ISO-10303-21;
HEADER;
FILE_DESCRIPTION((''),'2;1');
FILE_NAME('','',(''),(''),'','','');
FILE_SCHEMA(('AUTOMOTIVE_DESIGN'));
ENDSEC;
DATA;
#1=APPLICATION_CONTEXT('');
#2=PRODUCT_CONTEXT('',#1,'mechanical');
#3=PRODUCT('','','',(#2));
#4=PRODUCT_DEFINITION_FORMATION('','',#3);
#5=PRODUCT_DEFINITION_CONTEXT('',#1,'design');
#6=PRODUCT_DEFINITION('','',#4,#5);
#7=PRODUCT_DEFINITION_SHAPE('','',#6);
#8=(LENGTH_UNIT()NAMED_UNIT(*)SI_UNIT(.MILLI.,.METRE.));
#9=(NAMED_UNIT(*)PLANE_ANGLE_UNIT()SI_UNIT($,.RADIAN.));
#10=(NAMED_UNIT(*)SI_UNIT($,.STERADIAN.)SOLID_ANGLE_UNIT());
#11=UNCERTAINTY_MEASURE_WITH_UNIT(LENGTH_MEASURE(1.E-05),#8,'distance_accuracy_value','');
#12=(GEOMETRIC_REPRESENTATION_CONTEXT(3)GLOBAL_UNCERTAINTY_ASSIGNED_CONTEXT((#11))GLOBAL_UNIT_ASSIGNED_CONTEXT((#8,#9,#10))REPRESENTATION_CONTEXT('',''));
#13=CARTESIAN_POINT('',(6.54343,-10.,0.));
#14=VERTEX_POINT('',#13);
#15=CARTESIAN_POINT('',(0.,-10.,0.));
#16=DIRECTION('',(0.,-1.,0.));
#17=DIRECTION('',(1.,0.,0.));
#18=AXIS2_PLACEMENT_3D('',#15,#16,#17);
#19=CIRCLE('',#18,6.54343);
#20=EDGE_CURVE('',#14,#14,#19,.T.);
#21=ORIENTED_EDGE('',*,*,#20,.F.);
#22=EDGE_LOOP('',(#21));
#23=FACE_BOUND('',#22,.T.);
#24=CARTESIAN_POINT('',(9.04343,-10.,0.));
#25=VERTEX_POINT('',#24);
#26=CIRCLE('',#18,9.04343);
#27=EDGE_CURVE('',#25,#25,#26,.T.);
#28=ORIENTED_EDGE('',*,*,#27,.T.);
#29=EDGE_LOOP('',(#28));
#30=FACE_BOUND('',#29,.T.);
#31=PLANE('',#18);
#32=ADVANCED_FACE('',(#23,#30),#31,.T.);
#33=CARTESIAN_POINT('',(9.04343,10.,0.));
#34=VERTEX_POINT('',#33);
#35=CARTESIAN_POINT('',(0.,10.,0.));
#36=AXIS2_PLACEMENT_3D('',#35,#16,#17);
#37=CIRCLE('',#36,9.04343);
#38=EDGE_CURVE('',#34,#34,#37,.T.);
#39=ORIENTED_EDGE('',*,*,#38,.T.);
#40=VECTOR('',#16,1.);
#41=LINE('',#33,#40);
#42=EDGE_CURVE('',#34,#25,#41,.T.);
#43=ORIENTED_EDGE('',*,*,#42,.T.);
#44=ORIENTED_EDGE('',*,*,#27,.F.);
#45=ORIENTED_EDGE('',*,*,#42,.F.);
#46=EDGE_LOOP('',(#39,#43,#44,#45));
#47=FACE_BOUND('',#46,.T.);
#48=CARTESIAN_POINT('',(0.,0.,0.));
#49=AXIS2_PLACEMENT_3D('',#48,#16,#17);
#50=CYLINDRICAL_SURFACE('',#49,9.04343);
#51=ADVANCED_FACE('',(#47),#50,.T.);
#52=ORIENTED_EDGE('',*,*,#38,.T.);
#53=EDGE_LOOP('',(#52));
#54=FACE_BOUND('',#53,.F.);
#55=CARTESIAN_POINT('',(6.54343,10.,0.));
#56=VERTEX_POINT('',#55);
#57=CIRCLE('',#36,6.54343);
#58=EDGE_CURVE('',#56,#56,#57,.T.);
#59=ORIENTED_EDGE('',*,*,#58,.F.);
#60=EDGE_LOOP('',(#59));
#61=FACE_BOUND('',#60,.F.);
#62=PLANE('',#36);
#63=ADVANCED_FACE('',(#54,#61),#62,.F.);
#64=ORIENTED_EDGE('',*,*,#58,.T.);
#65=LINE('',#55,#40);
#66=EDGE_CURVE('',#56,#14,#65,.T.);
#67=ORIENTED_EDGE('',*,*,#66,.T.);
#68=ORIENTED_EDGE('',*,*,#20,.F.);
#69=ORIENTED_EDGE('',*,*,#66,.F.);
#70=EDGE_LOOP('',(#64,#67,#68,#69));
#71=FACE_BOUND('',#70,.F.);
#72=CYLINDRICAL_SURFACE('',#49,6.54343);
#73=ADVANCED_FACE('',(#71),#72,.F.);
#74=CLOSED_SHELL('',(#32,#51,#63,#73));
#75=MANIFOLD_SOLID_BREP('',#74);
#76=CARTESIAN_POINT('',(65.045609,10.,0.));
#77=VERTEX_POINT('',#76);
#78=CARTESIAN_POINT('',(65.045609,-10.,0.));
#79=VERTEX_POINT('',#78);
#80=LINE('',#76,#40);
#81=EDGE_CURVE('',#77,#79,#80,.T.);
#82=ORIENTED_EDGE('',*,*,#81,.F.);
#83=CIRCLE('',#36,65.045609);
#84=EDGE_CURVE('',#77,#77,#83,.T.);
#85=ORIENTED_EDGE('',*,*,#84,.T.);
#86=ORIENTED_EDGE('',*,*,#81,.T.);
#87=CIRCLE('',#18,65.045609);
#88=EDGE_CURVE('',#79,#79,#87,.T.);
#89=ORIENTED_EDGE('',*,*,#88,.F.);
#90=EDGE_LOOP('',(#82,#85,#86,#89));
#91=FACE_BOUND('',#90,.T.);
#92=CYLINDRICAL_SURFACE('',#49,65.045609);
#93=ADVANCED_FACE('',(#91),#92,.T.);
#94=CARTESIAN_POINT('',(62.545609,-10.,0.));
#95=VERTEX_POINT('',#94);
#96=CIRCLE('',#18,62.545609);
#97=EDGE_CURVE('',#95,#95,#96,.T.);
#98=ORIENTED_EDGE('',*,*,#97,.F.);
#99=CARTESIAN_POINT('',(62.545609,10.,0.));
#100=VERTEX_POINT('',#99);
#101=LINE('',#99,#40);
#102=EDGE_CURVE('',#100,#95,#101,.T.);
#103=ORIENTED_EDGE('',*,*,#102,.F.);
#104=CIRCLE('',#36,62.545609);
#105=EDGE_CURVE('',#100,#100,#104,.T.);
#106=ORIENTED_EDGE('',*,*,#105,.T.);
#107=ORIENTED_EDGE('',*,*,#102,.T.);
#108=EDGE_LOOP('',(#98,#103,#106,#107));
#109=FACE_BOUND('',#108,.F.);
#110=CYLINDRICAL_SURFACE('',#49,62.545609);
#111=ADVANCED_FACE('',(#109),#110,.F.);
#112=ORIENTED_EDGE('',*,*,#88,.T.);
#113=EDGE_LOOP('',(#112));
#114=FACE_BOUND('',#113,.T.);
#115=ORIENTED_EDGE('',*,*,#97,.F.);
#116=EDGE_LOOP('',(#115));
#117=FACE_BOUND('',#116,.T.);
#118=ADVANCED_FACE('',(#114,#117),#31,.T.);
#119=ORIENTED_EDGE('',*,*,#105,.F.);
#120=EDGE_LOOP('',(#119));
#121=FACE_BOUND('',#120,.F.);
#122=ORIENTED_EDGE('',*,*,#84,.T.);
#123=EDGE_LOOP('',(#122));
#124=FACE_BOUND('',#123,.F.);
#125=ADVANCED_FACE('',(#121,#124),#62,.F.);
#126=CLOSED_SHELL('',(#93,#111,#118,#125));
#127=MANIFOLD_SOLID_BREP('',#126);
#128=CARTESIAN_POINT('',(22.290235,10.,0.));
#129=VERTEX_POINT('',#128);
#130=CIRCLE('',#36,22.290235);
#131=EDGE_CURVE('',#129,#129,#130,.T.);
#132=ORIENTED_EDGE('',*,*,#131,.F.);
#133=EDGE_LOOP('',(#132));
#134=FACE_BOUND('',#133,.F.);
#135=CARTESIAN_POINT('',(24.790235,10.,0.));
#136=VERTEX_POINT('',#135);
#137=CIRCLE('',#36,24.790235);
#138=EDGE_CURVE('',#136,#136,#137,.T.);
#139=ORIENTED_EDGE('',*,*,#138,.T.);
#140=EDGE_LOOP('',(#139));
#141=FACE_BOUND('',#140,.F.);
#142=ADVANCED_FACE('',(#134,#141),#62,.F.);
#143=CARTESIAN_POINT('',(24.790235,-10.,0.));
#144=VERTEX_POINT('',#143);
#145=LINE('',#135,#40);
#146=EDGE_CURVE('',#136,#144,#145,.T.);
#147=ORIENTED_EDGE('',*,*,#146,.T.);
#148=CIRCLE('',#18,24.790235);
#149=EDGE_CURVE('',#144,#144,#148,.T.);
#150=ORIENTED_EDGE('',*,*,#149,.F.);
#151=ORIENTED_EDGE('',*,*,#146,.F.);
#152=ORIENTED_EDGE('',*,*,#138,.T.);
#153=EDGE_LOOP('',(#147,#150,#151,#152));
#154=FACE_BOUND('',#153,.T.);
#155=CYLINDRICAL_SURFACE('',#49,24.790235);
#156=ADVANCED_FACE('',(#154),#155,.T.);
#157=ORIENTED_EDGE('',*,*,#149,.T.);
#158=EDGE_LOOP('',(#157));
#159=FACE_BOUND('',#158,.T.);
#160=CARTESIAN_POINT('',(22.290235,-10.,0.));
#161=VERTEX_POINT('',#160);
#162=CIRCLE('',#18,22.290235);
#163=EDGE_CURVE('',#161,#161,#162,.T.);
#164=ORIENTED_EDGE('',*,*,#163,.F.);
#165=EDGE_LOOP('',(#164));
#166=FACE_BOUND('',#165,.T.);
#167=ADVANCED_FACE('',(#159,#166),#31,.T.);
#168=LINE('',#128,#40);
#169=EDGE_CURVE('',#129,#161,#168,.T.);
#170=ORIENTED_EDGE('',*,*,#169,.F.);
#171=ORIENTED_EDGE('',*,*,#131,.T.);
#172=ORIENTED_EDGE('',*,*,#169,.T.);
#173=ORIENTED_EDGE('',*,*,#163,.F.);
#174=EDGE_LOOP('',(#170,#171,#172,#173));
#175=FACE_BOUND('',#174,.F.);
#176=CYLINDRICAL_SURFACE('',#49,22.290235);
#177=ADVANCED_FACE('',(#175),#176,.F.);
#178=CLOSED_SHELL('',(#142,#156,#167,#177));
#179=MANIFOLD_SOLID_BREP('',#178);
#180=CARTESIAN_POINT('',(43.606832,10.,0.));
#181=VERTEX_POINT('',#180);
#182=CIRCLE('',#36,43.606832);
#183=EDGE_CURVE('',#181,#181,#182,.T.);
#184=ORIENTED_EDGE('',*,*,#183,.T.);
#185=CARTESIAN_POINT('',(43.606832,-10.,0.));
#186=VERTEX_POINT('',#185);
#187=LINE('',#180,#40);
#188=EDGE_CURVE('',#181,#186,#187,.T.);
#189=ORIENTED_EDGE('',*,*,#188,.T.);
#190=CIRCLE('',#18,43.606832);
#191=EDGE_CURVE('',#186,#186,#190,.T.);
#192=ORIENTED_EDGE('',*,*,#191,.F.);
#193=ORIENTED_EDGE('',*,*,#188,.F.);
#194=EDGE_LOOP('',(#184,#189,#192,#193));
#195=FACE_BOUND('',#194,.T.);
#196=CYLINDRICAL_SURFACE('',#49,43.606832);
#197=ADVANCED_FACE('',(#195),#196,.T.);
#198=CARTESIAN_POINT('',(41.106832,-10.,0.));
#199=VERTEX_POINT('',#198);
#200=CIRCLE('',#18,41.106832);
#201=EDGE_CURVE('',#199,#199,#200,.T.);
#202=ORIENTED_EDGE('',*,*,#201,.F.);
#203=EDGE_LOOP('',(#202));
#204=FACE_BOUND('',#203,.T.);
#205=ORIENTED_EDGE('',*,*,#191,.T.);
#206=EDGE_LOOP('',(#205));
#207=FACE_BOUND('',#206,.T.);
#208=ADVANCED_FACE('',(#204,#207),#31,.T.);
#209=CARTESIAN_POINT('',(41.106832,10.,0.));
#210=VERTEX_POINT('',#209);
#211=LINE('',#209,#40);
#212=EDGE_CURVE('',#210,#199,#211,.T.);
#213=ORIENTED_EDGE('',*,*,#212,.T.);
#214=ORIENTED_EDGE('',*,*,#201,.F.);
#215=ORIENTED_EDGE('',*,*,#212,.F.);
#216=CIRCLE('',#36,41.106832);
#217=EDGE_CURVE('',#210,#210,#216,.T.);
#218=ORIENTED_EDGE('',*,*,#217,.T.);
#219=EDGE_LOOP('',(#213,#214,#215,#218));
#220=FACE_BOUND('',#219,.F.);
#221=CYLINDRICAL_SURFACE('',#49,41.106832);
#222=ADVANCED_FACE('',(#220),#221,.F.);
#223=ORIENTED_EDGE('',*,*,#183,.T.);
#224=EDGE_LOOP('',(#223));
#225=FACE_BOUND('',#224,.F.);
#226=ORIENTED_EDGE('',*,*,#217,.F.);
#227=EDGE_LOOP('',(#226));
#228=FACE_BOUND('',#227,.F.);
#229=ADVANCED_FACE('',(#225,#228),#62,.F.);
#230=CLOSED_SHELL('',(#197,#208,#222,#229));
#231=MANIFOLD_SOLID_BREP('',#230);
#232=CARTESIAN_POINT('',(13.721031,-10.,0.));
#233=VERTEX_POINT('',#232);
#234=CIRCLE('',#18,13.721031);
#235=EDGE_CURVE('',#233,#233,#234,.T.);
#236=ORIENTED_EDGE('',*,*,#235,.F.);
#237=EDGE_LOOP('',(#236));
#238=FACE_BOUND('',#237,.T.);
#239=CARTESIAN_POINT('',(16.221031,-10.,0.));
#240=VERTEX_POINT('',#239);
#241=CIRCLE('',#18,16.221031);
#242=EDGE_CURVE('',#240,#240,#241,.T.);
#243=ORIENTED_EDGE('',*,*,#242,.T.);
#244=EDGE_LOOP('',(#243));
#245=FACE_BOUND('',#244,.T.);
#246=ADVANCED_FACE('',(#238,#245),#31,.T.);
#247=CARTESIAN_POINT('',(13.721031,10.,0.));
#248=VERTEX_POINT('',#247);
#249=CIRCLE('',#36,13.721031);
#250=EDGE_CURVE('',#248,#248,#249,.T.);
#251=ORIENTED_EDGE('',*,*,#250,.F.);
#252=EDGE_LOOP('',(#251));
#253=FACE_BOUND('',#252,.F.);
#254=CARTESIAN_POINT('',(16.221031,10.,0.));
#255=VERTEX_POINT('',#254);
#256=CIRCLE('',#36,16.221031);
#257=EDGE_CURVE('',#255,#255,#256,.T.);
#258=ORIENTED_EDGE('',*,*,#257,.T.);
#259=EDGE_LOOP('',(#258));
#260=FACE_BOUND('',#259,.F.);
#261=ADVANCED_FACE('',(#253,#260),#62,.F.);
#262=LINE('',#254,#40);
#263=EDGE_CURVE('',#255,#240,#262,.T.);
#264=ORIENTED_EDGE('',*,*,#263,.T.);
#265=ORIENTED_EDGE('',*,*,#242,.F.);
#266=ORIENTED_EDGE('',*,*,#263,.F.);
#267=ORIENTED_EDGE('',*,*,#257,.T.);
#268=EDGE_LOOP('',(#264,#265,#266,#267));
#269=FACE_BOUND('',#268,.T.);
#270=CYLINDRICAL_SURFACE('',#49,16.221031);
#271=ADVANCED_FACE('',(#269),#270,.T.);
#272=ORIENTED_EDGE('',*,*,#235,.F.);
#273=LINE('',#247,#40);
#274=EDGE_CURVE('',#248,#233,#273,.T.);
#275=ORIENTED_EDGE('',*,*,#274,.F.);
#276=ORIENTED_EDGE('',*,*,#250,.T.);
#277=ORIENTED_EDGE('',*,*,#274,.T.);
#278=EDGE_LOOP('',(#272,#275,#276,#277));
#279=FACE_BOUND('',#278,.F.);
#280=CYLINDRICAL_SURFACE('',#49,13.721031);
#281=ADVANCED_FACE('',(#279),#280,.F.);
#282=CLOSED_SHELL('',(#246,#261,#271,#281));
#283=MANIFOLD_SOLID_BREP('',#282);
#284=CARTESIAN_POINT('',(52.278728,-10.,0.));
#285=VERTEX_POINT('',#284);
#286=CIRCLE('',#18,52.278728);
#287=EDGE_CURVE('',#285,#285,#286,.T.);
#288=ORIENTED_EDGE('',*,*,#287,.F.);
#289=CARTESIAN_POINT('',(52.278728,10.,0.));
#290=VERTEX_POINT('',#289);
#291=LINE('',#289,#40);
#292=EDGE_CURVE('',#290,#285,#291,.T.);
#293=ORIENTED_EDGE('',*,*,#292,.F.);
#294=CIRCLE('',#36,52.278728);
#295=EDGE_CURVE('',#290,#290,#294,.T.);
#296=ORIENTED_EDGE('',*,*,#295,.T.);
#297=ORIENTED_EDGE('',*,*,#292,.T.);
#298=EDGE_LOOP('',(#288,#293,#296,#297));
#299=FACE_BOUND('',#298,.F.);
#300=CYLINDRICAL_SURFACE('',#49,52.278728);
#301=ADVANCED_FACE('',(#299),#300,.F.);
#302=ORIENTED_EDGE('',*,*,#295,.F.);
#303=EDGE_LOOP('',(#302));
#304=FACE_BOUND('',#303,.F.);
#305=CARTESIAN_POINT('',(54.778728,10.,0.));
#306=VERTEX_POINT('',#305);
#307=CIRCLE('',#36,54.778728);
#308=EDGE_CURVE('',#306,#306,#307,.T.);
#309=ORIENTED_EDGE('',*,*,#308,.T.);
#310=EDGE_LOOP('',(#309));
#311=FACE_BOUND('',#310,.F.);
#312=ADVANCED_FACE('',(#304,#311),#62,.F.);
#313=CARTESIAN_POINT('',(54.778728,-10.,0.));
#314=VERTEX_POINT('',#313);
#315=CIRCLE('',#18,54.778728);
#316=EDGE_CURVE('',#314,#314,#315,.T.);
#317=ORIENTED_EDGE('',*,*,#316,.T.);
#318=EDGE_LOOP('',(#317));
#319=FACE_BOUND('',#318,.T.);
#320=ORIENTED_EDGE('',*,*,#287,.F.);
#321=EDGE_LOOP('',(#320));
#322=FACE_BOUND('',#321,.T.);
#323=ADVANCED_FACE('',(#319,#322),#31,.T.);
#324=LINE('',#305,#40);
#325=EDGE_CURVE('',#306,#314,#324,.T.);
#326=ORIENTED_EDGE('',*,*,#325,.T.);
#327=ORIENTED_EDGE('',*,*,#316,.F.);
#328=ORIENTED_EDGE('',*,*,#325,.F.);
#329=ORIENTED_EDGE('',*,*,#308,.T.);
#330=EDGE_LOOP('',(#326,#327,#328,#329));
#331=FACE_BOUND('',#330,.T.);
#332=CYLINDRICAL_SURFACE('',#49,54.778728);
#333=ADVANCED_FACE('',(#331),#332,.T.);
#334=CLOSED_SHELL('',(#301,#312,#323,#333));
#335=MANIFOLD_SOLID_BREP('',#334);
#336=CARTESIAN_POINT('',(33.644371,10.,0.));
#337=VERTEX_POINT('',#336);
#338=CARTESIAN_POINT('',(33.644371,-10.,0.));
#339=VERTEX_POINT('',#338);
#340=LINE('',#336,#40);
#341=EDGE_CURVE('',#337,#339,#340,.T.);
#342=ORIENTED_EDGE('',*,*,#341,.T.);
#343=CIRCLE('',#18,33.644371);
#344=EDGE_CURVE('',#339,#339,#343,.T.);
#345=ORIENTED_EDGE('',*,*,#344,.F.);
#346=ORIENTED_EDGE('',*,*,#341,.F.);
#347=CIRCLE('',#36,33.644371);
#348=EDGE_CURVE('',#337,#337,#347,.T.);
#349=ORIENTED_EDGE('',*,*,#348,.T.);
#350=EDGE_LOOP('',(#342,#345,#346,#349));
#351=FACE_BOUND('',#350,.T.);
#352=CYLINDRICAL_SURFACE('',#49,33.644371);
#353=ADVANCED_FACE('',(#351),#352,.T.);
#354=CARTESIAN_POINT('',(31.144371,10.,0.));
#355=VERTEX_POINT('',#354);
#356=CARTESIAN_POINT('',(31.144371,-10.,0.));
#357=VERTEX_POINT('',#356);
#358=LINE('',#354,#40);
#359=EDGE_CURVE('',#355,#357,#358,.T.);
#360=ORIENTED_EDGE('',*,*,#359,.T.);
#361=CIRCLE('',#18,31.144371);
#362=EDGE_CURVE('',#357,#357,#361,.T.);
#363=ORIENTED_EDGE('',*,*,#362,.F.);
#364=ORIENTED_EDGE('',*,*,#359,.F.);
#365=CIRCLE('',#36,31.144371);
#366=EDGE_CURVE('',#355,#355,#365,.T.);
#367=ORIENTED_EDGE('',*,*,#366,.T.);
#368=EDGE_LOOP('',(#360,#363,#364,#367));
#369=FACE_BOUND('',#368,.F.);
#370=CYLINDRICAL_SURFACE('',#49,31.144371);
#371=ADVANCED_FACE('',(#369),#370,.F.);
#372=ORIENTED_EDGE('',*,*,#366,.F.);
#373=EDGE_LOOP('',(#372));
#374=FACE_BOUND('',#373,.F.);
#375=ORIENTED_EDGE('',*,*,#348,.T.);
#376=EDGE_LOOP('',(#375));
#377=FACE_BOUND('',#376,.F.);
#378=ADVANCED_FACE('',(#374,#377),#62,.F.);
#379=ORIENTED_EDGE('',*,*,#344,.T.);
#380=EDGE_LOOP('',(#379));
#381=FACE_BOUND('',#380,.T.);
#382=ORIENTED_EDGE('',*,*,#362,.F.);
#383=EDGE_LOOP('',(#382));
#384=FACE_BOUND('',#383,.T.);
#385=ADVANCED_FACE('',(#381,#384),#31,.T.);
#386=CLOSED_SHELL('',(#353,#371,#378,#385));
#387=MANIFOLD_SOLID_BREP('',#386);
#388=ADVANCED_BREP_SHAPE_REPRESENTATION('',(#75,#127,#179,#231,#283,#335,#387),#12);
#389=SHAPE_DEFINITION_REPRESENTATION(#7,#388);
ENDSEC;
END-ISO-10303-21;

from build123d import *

# Parameters (mm, degrees)
F0_R      = 65.045609
F1_DEPTH  = 10
F2_T      = -2.5
F3_R      = 54.778728
F4_DEPTH  = 10
F5_T      = -2.5
F6_R      = 43.606832
F7_DEPTH  = 10
F8_T      = -2.5
F9_R      = 33.644371
F10_DEPTH = 10
F11_T     = -2.5
F12_R     = 24.790235
F13_DEPTH = 10
F14_T     = -2.5
F15_R     = 16.221031
F16_DEPTH = 10
F17_T     = -2.5
F18_R     = 9.04343
F19_DEPTH = 10
F20_T     = -2.5


with BuildPart() as f1:
    # F0 (on Front) → F1 (new body, symmetric)
    with BuildSketch(Plane.XZ):
        Circle(F0_R)
    extrude(amount=F1_DEPTH, both=True)

    # F2
    f2_openings = [f1.faces().sort_by_distance(p)[0] for p in [
        (0, -10, 0),
        (0, 10, 0),
    ]]
    offset(amount=F2_T, openings=f2_openings)


with BuildPart() as f4:
    # F3 (on Front) → F4 (new body, symmetric)
    with BuildSketch(Plane.XZ):
        Circle(F3_R)
    extrude(amount=F4_DEPTH, both=True)

    # F5
    f5_openings = [f4.faces().sort_by_distance(p)[0] for p in [
        (0, -10, 0),
        (0, 10, 0),
    ]]
    offset(amount=F5_T, openings=f5_openings)


with BuildPart() as f7:
    # F6 (on Front) → F7 (new body, symmetric)
    with BuildSketch(Plane.XZ):
        Circle(F6_R)
    extrude(amount=F7_DEPTH, both=True)

    # F8
    f8_openings = [f7.faces().sort_by_distance(p)[0] for p in [
        (0, -10, 0),
        (0, 10, 0),
    ]]
    offset(amount=F8_T, openings=f8_openings)


with BuildPart() as f10:
    # F9 (on Front) → F10 (new body, symmetric)
    with BuildSketch(Plane.XZ):
        Circle(F9_R)
    extrude(amount=F10_DEPTH, both=True)

    # F11
    f11_openings = [f10.faces().sort_by_distance(p)[0] for p in [
        (0, -10, 0),
        (0, 10, 0),
    ]]
    offset(amount=F11_T, openings=f11_openings)


with BuildPart() as f13:
    # F12 (on Front) → F13 (new body, symmetric)
    with BuildSketch(Plane.XZ):
        Circle(F12_R)
    extrude(amount=F13_DEPTH, both=True)

    # F14
    f14_openings = [f13.faces().sort_by_distance(p)[0] for p in [
        (0, -10, 0),
        (0, 10, 0),
    ]]
    offset(amount=F14_T, openings=f14_openings)


with BuildPart() as f16:
    # F15 (on Front) → F16 (new body, symmetric)
    with BuildSketch(Plane.XZ):
        Circle(F15_R)
    extrude(amount=F16_DEPTH, both=True)

    # F17
    f17_openings = [f16.faces().sort_by_distance(p)[0] for p in [
        (0, -10, 0),
        (0, 10, 0),
    ]]
    offset(amount=F17_T, openings=f17_openings)


with BuildPart() as f19:
    # F18 (on Front) → F19 (new body, symmetric)
    with BuildSketch(Plane.XZ):
        Circle(F18_R)
    extrude(amount=F19_DEPTH, both=True)

    # F20
    f20_openings = [f19.faces().sort_by_distance(p)[0] for p in [
        (0, -10, 0),
        (0, 10, 0),
    ]]
    offset(amount=F20_T, openings=f20_openings)


solid = Compound([f1.part, f4.part, f7.part, f10.part, f13.part, f16.part, f19.part])
